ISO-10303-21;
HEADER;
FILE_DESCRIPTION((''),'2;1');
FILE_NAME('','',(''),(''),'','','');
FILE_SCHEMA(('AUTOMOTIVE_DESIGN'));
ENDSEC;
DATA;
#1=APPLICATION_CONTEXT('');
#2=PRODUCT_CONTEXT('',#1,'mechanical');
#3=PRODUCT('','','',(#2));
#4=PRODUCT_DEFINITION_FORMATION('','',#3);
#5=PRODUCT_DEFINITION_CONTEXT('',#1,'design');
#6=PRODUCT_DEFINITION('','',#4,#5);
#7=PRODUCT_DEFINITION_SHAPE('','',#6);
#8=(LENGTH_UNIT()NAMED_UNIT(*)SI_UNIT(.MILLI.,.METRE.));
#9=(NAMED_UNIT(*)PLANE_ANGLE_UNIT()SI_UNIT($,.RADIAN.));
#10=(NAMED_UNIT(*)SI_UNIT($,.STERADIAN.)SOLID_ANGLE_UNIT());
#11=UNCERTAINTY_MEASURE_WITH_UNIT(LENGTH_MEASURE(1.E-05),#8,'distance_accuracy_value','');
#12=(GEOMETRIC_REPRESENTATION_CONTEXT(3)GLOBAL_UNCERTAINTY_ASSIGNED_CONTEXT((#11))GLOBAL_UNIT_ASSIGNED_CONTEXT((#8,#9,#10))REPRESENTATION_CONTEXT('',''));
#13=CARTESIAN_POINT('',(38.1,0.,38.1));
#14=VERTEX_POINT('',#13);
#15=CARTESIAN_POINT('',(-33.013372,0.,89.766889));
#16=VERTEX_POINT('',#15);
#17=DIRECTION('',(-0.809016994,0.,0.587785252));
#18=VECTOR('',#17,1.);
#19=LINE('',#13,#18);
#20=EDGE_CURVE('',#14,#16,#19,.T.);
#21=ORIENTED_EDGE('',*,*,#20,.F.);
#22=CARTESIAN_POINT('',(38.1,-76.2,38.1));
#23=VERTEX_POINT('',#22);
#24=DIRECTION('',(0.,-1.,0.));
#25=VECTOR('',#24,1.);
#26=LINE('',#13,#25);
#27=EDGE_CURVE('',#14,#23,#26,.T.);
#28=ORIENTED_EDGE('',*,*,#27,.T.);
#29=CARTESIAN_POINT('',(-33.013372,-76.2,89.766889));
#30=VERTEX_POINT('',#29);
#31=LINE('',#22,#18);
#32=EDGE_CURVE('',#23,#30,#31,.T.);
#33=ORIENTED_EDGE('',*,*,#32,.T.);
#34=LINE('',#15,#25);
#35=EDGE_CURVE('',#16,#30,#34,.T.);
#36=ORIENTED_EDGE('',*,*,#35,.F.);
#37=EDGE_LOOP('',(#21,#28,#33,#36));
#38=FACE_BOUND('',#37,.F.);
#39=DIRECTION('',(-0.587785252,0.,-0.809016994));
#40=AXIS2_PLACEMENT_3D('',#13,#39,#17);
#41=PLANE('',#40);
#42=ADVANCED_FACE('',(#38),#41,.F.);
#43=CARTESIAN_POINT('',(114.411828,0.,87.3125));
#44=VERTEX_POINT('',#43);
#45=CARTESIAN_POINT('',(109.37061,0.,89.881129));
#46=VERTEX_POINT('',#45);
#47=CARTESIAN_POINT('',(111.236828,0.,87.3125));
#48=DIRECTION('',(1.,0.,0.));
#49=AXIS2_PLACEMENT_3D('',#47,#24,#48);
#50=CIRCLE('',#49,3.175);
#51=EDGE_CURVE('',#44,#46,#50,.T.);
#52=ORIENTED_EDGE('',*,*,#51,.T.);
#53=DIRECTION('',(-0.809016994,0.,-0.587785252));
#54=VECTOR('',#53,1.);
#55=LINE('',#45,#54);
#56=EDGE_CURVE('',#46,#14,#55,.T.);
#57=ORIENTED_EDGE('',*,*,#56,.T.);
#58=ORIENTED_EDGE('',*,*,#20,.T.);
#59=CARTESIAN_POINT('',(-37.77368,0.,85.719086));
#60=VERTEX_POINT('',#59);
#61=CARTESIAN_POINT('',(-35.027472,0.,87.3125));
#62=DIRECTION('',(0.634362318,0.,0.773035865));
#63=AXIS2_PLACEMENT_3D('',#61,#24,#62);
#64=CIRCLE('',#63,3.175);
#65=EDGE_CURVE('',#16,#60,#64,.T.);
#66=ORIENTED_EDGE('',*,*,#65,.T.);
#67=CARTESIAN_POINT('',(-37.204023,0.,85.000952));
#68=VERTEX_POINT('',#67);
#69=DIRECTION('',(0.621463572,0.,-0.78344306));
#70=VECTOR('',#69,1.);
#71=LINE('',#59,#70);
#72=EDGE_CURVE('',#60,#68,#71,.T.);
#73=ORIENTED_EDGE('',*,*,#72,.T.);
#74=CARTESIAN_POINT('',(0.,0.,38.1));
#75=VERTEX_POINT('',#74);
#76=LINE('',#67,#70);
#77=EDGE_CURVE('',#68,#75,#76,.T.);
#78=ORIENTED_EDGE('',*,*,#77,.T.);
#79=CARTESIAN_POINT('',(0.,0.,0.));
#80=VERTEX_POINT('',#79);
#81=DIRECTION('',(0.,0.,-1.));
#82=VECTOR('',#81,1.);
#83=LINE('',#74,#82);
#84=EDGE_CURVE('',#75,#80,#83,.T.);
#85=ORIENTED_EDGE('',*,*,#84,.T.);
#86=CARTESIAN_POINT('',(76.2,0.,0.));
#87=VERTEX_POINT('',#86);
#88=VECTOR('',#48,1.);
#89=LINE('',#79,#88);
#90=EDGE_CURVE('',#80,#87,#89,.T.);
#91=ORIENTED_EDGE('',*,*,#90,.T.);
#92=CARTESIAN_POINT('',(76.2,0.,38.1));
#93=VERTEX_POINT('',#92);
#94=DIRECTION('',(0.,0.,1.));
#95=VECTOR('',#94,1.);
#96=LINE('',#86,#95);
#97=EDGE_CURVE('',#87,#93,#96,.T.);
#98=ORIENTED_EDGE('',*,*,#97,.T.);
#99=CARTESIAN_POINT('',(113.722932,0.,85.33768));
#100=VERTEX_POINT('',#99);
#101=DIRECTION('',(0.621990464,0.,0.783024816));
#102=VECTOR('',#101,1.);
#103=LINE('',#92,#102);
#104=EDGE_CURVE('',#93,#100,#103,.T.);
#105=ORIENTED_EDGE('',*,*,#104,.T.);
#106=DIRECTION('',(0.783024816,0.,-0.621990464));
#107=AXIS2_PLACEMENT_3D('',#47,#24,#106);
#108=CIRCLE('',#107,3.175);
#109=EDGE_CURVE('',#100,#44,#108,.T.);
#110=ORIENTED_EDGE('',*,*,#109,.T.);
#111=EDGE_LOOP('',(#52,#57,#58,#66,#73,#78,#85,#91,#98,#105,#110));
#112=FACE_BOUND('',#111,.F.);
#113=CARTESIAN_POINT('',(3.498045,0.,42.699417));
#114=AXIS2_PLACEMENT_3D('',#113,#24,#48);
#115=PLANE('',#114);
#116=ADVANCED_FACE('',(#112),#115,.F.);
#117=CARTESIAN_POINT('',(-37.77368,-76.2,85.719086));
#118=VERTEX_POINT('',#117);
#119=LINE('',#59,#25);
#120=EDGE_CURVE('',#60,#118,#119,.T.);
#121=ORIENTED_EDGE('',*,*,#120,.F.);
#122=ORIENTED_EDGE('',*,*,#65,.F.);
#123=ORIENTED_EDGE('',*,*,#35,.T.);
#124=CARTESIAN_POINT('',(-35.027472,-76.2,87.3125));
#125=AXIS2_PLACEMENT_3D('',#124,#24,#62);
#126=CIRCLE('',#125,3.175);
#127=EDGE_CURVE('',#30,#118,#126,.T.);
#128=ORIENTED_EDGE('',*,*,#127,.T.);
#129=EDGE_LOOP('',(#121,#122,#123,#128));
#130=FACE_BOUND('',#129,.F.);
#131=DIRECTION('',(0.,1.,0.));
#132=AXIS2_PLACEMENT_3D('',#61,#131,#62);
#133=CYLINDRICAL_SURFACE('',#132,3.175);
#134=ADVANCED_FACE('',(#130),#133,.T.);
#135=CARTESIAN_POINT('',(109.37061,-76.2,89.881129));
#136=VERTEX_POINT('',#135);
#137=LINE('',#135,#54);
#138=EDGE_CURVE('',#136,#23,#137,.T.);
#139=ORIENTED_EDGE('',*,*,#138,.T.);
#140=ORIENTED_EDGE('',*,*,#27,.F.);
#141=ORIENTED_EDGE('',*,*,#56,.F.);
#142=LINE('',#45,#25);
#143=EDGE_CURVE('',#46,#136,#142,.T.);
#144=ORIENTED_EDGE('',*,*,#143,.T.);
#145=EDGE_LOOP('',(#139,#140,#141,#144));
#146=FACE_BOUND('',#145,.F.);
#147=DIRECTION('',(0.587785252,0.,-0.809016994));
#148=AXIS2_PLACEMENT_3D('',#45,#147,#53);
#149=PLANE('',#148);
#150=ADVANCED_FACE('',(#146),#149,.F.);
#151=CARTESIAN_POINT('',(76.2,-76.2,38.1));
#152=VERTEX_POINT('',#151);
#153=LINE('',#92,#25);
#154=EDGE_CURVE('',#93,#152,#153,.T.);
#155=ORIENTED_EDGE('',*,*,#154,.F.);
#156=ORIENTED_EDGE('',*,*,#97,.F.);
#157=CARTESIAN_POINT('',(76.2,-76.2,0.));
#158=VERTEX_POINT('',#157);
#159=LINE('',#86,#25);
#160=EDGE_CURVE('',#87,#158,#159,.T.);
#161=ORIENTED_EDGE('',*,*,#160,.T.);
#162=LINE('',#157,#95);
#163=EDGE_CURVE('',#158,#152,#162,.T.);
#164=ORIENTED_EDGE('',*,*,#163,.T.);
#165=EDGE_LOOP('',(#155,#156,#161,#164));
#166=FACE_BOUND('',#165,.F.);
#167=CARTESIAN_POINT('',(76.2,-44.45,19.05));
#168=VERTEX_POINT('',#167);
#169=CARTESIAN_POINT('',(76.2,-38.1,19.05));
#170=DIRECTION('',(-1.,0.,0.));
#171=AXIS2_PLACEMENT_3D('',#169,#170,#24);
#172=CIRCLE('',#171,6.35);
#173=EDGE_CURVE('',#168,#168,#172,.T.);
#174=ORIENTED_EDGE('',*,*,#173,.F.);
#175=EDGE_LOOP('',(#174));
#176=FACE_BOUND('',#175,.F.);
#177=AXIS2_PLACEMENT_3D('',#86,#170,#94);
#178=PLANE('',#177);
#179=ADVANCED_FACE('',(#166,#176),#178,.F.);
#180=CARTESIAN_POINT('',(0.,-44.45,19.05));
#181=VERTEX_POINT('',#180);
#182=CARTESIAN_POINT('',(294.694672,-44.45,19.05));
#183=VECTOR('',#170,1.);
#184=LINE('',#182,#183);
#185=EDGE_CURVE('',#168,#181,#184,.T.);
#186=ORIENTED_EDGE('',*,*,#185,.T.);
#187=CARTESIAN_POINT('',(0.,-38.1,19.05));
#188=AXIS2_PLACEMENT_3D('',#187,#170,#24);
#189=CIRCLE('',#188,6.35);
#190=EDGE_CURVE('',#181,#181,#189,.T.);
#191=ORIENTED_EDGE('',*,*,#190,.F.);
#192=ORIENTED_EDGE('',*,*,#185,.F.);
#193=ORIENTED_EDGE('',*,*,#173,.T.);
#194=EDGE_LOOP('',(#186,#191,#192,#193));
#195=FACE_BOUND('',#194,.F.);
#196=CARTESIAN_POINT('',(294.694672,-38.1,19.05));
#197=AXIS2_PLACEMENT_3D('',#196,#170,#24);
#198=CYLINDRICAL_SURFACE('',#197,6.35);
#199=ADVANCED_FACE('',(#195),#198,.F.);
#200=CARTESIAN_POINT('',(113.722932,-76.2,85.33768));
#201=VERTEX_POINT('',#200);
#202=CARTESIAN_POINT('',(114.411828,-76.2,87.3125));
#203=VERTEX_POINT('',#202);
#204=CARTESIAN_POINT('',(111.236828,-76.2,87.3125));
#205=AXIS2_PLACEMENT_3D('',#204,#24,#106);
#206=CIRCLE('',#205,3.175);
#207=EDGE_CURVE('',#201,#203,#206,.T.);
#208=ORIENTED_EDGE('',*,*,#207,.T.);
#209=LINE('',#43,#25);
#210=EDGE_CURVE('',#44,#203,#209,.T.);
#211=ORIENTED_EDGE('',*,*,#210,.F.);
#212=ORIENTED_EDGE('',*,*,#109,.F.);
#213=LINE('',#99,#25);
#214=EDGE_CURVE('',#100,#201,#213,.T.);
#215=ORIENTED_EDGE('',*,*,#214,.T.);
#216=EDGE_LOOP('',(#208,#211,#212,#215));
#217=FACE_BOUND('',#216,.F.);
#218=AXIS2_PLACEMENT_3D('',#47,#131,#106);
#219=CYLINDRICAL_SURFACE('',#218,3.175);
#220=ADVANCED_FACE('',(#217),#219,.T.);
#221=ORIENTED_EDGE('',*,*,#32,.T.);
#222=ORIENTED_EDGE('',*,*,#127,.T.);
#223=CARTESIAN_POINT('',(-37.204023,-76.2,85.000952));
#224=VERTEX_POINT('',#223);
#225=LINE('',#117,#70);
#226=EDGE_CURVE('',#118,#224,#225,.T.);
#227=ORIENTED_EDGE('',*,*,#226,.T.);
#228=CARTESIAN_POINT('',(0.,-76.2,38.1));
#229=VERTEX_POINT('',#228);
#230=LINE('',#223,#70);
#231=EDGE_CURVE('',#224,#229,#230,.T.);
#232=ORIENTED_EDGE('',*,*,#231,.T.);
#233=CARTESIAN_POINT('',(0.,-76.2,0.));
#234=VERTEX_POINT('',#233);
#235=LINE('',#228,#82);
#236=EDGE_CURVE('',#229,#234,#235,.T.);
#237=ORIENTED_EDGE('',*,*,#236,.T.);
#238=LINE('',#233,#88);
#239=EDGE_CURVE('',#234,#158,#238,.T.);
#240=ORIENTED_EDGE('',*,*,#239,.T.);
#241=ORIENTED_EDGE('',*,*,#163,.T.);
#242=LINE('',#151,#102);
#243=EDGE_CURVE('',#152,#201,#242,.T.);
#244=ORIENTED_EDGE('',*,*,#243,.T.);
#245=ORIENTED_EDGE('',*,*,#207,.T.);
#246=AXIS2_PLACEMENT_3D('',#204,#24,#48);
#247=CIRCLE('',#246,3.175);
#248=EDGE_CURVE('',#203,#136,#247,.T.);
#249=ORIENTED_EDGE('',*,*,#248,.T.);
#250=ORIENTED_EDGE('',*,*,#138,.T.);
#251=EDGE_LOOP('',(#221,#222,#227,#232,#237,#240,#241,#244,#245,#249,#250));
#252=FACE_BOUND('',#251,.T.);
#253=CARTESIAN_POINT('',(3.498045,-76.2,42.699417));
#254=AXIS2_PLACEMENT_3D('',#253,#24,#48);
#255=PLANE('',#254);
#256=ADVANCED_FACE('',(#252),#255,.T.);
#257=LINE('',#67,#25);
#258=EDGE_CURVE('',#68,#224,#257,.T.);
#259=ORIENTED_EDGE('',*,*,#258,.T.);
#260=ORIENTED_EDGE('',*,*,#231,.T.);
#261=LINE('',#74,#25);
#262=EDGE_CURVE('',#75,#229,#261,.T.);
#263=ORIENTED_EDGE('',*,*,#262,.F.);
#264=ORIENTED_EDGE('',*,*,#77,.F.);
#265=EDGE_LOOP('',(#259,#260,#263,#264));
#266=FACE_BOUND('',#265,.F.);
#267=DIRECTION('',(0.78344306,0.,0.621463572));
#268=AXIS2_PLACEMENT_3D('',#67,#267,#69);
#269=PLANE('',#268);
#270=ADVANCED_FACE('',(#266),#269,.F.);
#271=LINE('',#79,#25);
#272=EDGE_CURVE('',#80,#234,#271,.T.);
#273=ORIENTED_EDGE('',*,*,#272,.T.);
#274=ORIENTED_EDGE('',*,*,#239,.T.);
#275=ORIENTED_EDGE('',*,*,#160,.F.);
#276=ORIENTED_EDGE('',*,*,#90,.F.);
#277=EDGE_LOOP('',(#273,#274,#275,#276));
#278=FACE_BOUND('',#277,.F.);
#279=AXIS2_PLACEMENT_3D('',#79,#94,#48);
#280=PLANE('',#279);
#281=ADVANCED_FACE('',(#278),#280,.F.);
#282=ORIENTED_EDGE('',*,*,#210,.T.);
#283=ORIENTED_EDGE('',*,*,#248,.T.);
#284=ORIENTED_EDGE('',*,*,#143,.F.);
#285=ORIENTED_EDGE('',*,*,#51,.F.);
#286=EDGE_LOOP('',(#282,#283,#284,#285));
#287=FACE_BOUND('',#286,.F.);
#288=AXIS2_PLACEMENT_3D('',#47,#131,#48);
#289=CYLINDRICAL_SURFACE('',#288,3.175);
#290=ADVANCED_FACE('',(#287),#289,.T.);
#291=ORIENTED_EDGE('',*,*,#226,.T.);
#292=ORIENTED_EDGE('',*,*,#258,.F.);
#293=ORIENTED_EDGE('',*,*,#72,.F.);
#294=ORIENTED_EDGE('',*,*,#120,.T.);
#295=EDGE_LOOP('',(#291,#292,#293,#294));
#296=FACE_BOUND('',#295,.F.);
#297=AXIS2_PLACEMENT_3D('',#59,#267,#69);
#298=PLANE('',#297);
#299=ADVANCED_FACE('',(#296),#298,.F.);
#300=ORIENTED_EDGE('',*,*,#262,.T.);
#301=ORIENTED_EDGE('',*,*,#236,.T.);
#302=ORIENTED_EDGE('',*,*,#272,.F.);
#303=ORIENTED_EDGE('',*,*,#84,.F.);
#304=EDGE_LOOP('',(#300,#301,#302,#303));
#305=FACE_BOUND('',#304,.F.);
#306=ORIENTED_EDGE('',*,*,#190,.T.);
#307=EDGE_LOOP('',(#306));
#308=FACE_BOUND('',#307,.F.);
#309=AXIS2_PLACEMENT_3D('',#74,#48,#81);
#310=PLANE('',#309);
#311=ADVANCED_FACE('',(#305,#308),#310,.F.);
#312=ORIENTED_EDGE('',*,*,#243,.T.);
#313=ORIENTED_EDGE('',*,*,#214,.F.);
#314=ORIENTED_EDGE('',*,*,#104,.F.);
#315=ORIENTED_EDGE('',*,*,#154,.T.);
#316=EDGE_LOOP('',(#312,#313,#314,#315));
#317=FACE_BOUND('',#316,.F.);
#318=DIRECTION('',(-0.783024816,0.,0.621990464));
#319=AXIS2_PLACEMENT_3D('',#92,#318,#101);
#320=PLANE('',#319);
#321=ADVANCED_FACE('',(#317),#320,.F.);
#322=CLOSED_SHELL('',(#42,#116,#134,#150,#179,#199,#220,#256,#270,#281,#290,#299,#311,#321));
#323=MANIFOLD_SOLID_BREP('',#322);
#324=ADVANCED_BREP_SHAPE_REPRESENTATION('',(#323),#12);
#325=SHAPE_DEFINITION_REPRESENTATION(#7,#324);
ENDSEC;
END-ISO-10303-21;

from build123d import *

# Parameters (mm, degrees)
F1_DEPTH = 76.2
F4_D     = 12.7


with BuildPart() as f1:
    # F0 (on Front) → F1 (new body)
    with BuildSketch(Plane.XZ):
        with BuildLine():
            Line((0, 38.1), (0, 0))
            Line((0, 0), (38.1, 0))
            Line((38.1, 0), (38.1, 38.1))
            Line((38.1, 38.1), (-33.0133717304, 89.766888872))
            ThreePointArc((-33.0133717304, 89.766888872), (-32.1573332755, 88.6700449077), (-31.8524720916, 87.3125))
            ThreePointArc((-31.8524720916, 87.3125), (-33.7684889393, 84.3977810732), (-37.2040225938, 85.0009522693))
            Line((-37.2040225938, 85.0009522693), (0, 38.1))
        make_face()
        with BuildLine():
            Line((38.1, 38.1), (38.1, 0))
            Line((38.1, 0), (76.2, 0))
            Line((76.2, 0), (76.2, 38.1))
            Line((76.2, 38.1), (113.7229316851, 85.3376802764))
            ThreePointArc((113.7229316851, 85.3376802764), (108.9440575127, 85.1161783074), (109.3706097182, 89.8811289571))
            Line((109.3706097182, 89.8811289571), (38.1, 38.1))
        make_face()
        with BuildLine():
            ThreePointArc((114.4118278942, 87.3125), (112.6782477309, 90.1414457143), (109.3706097182, 89.8811289571))
            ThreePointArc((109.3706097182, 89.8811289571), (108.9440575127, 85.1161783074), (113.7229316851, 85.3376802764))
            ThreePointArc((113.7229316851, 85.3376802764), (114.2346608229, 86.2667358144), (114.4118278942, 87.3125))
        make_face()
        with BuildLine():
            Line((-37.7736799419, 85.7190862298), (-37.2040225938, 85.0009522693))
            ThreePointArc((-37.2040225938, 85.0009522693), (-33.7684889393, 84.3977810732), (-31.8524720916, 87.3125))
            ThreePointArc((-31.8524720916, 87.3125), (-32.1573332755, 88.6700449077), (-33.0133717304, 89.766888872))
            ThreePointArc((-33.0133717304, 89.766888872), (-37.084210262, 89.7312709893), (-37.7736799419, 85.7190862298))
        make_face()
    extrude(amount=F1_DEPTH)

    # F4 (through all)
    with Locations(Plane.YZ.offset(101.6)):
        with Locations((-38.1, 19.05)):
            Hole(F4_D / 2)


solid = f1.part
